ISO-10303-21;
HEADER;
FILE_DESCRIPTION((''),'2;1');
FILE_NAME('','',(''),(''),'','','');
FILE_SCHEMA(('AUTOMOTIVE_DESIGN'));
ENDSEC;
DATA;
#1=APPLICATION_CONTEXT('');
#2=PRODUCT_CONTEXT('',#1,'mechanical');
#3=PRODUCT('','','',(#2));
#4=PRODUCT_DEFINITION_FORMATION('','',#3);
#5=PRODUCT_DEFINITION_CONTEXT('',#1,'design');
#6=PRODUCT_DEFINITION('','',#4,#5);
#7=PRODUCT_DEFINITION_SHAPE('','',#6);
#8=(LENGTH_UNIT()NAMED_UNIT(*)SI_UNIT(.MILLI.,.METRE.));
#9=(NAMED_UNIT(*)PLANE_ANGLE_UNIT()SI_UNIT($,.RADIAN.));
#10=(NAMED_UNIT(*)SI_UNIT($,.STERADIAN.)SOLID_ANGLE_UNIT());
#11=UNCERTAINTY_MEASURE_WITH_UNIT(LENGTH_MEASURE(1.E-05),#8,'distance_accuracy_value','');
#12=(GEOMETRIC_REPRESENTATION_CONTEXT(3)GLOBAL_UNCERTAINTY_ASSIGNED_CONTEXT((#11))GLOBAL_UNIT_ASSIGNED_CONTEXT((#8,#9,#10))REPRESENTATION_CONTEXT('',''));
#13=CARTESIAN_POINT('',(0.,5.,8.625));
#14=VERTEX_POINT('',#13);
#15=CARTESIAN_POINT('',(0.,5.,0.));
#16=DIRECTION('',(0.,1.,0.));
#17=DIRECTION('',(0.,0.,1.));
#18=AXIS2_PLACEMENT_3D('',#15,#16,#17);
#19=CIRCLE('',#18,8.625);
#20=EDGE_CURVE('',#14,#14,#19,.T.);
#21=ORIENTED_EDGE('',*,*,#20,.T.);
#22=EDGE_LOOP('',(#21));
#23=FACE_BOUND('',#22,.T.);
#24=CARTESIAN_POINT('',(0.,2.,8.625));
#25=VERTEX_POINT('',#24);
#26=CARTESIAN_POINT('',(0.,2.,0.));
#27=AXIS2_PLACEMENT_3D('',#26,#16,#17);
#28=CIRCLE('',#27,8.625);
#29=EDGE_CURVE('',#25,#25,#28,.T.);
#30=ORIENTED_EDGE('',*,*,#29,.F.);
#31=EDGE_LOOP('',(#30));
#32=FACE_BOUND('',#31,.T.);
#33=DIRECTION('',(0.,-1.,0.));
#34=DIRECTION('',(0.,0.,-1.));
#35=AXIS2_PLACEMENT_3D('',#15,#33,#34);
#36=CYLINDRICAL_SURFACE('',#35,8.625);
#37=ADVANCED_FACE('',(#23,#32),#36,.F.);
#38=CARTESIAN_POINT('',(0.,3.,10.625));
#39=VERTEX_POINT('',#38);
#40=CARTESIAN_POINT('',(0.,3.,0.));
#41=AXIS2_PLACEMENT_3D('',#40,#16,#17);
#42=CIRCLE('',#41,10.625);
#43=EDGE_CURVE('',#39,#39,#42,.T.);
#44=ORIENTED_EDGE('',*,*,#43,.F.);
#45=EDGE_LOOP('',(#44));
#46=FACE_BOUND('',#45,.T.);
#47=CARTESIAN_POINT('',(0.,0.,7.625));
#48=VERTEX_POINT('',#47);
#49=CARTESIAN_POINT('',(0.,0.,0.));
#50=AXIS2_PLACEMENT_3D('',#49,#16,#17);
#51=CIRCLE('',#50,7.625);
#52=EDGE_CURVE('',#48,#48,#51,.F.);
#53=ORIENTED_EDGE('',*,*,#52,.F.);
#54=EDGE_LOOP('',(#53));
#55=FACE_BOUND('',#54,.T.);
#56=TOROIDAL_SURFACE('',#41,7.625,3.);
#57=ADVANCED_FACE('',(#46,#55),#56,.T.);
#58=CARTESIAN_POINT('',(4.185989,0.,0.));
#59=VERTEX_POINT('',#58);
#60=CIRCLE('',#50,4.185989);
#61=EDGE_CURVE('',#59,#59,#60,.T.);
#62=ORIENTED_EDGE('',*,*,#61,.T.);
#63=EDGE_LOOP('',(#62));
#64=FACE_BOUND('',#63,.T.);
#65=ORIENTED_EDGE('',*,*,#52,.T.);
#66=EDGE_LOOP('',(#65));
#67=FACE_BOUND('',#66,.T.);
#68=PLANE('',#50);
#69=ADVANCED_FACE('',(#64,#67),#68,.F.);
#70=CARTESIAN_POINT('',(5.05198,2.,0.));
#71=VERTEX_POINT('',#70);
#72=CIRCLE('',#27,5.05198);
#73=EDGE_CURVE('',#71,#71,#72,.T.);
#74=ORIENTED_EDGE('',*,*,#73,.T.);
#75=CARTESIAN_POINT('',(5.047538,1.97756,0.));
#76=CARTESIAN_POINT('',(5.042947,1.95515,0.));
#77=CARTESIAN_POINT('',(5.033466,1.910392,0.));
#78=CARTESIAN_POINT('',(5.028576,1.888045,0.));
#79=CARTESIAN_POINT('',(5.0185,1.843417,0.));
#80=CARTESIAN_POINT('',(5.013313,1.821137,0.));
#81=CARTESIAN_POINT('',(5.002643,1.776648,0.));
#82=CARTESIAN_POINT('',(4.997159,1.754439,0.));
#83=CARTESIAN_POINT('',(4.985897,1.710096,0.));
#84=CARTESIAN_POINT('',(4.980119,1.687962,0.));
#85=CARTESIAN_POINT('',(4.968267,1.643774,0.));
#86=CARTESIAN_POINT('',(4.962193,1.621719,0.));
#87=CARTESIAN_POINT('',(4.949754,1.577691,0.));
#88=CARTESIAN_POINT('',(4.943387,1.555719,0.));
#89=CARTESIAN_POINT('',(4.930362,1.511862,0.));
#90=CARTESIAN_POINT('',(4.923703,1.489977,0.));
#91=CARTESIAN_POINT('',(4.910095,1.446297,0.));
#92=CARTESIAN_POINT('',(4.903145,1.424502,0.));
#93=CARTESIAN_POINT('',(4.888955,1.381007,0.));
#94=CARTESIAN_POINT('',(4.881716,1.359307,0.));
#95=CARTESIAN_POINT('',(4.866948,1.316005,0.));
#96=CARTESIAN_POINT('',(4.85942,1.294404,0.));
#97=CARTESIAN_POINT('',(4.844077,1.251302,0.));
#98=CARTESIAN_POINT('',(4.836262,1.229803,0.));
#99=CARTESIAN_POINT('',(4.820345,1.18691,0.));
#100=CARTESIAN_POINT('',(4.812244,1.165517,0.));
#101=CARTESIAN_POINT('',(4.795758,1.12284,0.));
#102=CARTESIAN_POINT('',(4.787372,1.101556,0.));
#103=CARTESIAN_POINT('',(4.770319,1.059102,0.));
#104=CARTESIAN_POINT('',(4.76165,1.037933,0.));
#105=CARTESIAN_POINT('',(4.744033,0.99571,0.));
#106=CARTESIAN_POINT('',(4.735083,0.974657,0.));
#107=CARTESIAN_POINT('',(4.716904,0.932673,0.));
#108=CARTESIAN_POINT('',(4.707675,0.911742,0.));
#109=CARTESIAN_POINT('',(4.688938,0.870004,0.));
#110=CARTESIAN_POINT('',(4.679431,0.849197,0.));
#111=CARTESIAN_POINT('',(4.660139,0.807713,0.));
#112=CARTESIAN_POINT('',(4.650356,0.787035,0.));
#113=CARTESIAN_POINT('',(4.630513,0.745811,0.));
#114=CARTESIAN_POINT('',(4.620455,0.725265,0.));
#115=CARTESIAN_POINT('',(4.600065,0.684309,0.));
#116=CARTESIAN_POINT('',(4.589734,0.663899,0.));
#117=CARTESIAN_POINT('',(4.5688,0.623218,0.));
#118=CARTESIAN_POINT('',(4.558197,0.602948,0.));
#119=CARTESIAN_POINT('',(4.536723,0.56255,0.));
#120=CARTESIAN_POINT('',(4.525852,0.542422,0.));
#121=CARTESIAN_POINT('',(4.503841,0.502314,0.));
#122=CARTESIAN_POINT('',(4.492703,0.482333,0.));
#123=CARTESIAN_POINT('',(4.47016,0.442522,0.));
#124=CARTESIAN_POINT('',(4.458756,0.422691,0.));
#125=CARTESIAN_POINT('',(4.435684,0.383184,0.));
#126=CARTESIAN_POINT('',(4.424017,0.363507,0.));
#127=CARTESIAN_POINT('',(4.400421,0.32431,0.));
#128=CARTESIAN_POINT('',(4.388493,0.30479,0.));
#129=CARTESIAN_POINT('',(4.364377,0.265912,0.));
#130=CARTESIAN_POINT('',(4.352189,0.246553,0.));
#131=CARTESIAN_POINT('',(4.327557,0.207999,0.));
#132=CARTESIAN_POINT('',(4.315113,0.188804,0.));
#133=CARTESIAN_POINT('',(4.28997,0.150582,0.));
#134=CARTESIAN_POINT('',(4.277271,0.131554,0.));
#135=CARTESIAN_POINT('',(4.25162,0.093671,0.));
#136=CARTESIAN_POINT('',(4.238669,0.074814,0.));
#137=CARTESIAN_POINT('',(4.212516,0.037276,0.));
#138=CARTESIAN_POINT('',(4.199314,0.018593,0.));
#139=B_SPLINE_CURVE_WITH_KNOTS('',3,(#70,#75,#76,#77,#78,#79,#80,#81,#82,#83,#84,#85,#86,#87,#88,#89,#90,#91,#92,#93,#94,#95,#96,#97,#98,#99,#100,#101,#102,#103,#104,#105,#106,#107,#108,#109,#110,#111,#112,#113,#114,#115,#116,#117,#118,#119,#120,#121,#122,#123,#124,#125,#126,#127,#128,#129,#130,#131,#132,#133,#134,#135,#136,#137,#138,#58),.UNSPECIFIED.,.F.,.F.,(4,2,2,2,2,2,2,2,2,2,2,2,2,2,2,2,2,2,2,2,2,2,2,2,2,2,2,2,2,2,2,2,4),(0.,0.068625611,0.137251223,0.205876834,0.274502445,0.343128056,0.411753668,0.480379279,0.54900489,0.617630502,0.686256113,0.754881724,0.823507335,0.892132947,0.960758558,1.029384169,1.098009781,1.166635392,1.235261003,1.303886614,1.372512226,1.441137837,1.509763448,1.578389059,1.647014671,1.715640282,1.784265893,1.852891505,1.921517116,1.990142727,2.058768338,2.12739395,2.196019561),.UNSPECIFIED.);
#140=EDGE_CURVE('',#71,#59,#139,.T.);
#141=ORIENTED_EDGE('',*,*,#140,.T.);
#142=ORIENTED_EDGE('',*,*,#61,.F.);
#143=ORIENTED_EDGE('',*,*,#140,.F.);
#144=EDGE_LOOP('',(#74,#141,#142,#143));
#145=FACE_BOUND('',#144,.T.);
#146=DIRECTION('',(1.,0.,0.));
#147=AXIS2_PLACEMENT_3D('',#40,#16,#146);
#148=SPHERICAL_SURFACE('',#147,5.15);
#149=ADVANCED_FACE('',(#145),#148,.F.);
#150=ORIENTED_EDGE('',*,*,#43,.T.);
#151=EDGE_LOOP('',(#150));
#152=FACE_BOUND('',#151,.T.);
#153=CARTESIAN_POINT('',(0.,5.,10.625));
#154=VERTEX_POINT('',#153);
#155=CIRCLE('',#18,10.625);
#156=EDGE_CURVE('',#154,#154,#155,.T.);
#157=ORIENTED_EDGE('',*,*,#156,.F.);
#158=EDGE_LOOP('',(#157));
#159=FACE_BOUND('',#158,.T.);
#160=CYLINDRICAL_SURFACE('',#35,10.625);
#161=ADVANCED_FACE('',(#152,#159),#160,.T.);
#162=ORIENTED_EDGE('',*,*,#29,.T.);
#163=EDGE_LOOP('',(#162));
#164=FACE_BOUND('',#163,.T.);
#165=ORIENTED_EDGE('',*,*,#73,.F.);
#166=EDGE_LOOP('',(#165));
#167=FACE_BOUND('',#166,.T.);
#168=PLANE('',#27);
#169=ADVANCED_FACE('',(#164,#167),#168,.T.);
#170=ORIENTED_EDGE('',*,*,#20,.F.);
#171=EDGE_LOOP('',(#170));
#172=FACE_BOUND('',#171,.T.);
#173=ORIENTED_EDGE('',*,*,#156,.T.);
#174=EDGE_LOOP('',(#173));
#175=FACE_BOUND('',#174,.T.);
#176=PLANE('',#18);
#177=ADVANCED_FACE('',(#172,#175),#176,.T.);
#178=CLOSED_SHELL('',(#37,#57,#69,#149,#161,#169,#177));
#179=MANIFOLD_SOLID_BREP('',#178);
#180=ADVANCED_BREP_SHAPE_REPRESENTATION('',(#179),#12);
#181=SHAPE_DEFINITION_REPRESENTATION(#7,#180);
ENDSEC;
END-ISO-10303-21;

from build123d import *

# Parameters (mm, degrees)
CROQUIS1_R              = 10.625
CROQUIS1_R_2            = 8.625
SALIENTE_EXTRUIR1_DEPTH = 5
CROQUIS1_3_R            = 8.625
SALIENTE_EXTRUIR2_DEPTH = 2
REDONDEO1_R             = 3


with BuildPart() as part:
    # Croquis1 → Saliente-Extruir1 (new body)
    with BuildSketch(Plane(origin=(0, 0, 0), x_dir=(1, 0, 0), z_dir=(0, 1, 0))):
        Circle(CROQUIS1_R)
        Circle(CROQUIS1_R_2, mode=Mode.SUBTRACT)
    extrude(amount=SALIENTE_EXTRUIR1_DEPTH)

    # Croquis1<3> → Saliente-Extruir2 (add)
    with BuildSketch(Plane(origin=(0, 0, 0), x_dir=(1, 0, 0), z_dir=(0, 1, 0))):
        Circle(CROQUIS1_3_R)
    extrude(amount=SALIENTE_EXTRUIR2_DEPTH)

    # Croquis2 → Cortar-Revolución1 (revolve, cut)
    with BuildSketch(Plane.XY):
        with BuildLine():
            Line((0, 8.15), (0, -2.15))
            ThreePointArc((0, -2.15), (-5.15, 3), (0, 8.15))
        make_face()
    revolve(axis=Axis((0, 8.15, 0), (0, -1, 0)), mode=Mode.SUBTRACT)

    # Redondeo1
    redondeo1_edges = [part.edges().sort_by_distance(p)[0] for p in [
        (-10.625, 0, 0),
    ]]
    fillet(redondeo1_edges, radius=REDONDEO1_R)


solid = part.part
